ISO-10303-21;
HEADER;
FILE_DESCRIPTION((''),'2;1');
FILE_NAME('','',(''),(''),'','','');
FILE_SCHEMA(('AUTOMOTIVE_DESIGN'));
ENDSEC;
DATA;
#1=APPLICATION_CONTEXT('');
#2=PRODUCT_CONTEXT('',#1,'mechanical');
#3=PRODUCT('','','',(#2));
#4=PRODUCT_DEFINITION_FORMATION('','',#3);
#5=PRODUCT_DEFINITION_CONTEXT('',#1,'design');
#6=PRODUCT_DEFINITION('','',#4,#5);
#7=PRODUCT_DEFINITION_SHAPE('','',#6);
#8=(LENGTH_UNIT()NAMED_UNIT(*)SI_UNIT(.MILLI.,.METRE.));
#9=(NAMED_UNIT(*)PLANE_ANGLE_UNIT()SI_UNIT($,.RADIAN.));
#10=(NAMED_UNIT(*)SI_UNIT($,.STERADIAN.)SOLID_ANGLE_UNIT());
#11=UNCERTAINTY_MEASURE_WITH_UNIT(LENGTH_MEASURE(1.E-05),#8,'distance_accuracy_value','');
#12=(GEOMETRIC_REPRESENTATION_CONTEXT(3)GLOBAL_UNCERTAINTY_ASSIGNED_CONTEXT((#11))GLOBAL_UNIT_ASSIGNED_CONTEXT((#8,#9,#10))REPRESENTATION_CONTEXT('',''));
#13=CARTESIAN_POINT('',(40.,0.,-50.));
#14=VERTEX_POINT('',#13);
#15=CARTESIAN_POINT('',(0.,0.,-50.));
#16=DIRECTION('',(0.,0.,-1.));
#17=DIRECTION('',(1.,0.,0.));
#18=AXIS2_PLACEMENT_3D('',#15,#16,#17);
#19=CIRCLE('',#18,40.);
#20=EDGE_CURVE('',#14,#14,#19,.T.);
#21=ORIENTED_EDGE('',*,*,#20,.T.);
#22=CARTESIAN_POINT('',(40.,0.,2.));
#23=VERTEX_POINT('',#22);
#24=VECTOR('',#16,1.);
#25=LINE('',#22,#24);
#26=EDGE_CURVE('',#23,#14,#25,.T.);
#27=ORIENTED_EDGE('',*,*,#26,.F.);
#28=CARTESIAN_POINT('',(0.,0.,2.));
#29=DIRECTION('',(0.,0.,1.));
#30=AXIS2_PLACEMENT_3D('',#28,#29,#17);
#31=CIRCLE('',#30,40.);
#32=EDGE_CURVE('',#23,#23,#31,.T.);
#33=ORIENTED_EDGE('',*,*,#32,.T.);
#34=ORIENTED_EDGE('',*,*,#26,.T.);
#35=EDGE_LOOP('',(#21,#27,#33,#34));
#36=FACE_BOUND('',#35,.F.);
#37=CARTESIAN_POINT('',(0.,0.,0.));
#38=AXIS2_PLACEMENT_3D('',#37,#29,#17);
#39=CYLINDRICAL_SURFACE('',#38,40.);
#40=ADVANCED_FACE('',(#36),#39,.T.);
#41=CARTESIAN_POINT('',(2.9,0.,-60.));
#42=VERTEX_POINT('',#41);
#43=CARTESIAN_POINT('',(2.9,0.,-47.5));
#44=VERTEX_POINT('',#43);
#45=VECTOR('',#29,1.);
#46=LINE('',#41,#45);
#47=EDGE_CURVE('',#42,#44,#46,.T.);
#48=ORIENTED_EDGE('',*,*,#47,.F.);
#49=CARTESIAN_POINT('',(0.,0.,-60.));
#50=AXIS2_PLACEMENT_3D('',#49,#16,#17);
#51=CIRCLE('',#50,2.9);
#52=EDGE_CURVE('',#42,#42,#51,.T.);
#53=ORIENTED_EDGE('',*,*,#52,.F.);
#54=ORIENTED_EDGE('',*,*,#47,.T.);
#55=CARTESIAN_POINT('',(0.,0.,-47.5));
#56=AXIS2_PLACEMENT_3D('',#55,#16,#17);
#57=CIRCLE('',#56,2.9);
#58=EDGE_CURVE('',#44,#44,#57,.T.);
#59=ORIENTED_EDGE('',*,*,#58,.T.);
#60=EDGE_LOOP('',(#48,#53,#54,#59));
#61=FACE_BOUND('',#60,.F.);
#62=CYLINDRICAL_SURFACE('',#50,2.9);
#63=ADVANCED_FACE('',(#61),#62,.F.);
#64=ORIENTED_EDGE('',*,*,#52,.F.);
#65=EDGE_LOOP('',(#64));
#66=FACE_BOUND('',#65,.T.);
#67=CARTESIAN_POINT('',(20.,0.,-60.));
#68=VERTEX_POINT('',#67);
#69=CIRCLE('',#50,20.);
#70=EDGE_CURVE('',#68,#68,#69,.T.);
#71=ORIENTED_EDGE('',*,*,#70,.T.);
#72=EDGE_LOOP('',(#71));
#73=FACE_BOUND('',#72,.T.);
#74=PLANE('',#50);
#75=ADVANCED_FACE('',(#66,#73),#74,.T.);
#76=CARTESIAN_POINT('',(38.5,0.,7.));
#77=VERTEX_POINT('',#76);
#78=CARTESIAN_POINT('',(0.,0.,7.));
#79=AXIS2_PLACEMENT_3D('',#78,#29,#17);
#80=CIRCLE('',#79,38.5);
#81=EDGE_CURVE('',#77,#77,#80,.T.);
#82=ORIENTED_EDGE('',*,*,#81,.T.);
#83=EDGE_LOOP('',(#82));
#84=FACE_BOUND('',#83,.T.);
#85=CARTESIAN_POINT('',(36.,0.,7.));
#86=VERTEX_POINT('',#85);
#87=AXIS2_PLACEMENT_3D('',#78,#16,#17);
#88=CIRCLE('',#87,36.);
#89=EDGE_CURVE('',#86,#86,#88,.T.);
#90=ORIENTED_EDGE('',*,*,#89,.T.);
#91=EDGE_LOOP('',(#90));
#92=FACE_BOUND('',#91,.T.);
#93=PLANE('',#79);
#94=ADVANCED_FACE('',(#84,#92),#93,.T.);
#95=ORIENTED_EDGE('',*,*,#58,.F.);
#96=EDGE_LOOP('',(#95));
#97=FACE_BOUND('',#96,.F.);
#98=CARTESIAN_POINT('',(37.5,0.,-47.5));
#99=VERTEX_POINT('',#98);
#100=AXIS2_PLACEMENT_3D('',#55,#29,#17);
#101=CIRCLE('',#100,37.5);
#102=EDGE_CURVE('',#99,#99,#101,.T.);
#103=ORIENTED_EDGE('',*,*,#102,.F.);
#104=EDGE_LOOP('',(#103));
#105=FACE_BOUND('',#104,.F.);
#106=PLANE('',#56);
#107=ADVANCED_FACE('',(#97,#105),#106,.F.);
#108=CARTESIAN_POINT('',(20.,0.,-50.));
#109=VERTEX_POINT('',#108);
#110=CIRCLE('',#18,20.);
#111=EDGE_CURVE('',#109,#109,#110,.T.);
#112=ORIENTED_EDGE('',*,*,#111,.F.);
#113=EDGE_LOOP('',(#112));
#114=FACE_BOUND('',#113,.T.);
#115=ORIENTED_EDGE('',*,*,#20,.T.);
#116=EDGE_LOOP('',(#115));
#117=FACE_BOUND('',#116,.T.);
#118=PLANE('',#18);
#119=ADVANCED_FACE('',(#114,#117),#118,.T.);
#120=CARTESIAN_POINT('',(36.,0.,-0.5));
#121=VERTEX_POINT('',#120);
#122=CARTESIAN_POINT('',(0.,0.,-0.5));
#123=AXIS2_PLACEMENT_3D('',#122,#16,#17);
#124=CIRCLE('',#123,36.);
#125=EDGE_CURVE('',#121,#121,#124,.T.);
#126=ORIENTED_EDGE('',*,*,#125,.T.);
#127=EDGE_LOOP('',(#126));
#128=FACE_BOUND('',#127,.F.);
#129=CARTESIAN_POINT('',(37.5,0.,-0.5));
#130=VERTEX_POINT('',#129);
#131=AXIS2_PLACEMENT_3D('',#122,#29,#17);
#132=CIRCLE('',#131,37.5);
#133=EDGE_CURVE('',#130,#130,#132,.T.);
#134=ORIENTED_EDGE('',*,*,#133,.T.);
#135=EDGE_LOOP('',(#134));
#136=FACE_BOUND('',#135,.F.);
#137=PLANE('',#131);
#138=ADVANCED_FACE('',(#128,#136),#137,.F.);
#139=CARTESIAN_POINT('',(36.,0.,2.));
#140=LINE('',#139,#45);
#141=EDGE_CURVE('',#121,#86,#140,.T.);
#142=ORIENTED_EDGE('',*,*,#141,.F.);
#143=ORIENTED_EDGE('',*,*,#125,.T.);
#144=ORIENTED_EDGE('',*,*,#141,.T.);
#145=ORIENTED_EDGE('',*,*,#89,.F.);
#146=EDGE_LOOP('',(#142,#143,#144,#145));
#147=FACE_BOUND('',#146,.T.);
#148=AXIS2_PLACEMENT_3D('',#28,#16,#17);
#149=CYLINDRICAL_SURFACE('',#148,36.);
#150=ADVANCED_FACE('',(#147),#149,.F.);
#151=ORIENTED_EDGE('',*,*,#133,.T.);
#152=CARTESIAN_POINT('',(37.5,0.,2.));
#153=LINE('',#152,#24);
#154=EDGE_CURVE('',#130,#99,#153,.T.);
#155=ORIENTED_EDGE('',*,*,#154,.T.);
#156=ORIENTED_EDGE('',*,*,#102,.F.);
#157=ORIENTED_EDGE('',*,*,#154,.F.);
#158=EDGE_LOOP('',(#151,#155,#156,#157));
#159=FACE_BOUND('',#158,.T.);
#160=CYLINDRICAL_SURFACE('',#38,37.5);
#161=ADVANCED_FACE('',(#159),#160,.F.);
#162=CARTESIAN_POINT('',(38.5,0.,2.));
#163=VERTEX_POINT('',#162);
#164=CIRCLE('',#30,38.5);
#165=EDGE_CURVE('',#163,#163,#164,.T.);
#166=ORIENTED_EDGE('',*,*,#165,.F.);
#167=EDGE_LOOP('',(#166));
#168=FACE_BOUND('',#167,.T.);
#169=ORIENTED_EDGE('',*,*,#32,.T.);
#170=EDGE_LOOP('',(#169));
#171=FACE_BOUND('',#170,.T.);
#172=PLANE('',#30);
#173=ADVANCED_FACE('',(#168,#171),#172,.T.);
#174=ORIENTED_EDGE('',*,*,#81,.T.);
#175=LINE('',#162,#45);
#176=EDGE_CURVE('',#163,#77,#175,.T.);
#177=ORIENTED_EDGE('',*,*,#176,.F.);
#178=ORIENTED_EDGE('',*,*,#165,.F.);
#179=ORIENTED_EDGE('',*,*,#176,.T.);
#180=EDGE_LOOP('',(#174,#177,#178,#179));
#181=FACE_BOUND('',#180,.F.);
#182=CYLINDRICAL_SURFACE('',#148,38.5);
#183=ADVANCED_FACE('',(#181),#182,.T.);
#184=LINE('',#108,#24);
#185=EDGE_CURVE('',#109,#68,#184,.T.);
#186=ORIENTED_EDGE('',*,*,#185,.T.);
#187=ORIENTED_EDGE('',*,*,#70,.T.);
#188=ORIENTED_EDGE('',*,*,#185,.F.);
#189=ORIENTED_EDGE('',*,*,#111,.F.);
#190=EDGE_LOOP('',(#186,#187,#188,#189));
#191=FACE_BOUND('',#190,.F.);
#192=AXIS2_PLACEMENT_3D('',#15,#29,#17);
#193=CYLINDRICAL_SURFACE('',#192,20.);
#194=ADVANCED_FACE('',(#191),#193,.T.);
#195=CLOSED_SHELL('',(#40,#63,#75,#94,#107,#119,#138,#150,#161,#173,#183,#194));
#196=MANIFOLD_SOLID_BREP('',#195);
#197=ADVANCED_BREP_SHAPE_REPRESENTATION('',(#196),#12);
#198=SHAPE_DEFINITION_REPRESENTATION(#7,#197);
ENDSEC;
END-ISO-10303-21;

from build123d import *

# Parameters (mm, degrees)
F0_R      = 40
F1_DEPTH  = 2
F2_R      = 38.5
F3_DEPTH  = 5
F4_R      = 40
F5_DEPTH  = 50
F7_T      = -2.5
F6_R      = 20
F8_DEPTH  = 10
F9_R      = 2.9
F10_DEPTH = 67.001


with BuildPart() as f1:
    # F0 (on Top) → F1 (new body)
    with BuildSketch(Plane.XY):
        Circle(F0_R)
    extrude(amount=F1_DEPTH)

    # F2 (on face) → F3 (join)
    with BuildSketch(Plane.XY.offset(2)):
        Circle(F2_R)
    extrude(amount=F3_DEPTH)

    # F4 (on face) → F5 (join)
    with BuildSketch(Plane(origin=(0, 0, 0), x_dir=(1, 0, 0), z_dir=(0, 0, -1))):
        Circle(F4_R)
    extrude(amount=F5_DEPTH)

    # F7
    f7_openings = [f1.faces().sort_by_distance(p)[0] for p in [
        (0, 0, 7),
    ]]
    offset(amount=F7_T, openings=f7_openings, kind=Kind.INTERSECTION)

    # F6 (on face) → F8 (join)
    with BuildSketch(Plane(origin=(0, 0, -50), x_dir=(1, 0, 0), z_dir=(0, 0, -1))):
        Circle(F6_R)
    extrude(amount=F8_DEPTH)

    # F9 (on face) → F10 (cut, through all)
    with BuildSketch(Plane(origin=(0, 0, -60), x_dir=(1, 0, 0), z_dir=(0, 0, -1))):
        Circle(F9_R)
    extrude(amount=-F10_DEPTH, mode=Mode.SUBTRACT)


solid = f1.part
